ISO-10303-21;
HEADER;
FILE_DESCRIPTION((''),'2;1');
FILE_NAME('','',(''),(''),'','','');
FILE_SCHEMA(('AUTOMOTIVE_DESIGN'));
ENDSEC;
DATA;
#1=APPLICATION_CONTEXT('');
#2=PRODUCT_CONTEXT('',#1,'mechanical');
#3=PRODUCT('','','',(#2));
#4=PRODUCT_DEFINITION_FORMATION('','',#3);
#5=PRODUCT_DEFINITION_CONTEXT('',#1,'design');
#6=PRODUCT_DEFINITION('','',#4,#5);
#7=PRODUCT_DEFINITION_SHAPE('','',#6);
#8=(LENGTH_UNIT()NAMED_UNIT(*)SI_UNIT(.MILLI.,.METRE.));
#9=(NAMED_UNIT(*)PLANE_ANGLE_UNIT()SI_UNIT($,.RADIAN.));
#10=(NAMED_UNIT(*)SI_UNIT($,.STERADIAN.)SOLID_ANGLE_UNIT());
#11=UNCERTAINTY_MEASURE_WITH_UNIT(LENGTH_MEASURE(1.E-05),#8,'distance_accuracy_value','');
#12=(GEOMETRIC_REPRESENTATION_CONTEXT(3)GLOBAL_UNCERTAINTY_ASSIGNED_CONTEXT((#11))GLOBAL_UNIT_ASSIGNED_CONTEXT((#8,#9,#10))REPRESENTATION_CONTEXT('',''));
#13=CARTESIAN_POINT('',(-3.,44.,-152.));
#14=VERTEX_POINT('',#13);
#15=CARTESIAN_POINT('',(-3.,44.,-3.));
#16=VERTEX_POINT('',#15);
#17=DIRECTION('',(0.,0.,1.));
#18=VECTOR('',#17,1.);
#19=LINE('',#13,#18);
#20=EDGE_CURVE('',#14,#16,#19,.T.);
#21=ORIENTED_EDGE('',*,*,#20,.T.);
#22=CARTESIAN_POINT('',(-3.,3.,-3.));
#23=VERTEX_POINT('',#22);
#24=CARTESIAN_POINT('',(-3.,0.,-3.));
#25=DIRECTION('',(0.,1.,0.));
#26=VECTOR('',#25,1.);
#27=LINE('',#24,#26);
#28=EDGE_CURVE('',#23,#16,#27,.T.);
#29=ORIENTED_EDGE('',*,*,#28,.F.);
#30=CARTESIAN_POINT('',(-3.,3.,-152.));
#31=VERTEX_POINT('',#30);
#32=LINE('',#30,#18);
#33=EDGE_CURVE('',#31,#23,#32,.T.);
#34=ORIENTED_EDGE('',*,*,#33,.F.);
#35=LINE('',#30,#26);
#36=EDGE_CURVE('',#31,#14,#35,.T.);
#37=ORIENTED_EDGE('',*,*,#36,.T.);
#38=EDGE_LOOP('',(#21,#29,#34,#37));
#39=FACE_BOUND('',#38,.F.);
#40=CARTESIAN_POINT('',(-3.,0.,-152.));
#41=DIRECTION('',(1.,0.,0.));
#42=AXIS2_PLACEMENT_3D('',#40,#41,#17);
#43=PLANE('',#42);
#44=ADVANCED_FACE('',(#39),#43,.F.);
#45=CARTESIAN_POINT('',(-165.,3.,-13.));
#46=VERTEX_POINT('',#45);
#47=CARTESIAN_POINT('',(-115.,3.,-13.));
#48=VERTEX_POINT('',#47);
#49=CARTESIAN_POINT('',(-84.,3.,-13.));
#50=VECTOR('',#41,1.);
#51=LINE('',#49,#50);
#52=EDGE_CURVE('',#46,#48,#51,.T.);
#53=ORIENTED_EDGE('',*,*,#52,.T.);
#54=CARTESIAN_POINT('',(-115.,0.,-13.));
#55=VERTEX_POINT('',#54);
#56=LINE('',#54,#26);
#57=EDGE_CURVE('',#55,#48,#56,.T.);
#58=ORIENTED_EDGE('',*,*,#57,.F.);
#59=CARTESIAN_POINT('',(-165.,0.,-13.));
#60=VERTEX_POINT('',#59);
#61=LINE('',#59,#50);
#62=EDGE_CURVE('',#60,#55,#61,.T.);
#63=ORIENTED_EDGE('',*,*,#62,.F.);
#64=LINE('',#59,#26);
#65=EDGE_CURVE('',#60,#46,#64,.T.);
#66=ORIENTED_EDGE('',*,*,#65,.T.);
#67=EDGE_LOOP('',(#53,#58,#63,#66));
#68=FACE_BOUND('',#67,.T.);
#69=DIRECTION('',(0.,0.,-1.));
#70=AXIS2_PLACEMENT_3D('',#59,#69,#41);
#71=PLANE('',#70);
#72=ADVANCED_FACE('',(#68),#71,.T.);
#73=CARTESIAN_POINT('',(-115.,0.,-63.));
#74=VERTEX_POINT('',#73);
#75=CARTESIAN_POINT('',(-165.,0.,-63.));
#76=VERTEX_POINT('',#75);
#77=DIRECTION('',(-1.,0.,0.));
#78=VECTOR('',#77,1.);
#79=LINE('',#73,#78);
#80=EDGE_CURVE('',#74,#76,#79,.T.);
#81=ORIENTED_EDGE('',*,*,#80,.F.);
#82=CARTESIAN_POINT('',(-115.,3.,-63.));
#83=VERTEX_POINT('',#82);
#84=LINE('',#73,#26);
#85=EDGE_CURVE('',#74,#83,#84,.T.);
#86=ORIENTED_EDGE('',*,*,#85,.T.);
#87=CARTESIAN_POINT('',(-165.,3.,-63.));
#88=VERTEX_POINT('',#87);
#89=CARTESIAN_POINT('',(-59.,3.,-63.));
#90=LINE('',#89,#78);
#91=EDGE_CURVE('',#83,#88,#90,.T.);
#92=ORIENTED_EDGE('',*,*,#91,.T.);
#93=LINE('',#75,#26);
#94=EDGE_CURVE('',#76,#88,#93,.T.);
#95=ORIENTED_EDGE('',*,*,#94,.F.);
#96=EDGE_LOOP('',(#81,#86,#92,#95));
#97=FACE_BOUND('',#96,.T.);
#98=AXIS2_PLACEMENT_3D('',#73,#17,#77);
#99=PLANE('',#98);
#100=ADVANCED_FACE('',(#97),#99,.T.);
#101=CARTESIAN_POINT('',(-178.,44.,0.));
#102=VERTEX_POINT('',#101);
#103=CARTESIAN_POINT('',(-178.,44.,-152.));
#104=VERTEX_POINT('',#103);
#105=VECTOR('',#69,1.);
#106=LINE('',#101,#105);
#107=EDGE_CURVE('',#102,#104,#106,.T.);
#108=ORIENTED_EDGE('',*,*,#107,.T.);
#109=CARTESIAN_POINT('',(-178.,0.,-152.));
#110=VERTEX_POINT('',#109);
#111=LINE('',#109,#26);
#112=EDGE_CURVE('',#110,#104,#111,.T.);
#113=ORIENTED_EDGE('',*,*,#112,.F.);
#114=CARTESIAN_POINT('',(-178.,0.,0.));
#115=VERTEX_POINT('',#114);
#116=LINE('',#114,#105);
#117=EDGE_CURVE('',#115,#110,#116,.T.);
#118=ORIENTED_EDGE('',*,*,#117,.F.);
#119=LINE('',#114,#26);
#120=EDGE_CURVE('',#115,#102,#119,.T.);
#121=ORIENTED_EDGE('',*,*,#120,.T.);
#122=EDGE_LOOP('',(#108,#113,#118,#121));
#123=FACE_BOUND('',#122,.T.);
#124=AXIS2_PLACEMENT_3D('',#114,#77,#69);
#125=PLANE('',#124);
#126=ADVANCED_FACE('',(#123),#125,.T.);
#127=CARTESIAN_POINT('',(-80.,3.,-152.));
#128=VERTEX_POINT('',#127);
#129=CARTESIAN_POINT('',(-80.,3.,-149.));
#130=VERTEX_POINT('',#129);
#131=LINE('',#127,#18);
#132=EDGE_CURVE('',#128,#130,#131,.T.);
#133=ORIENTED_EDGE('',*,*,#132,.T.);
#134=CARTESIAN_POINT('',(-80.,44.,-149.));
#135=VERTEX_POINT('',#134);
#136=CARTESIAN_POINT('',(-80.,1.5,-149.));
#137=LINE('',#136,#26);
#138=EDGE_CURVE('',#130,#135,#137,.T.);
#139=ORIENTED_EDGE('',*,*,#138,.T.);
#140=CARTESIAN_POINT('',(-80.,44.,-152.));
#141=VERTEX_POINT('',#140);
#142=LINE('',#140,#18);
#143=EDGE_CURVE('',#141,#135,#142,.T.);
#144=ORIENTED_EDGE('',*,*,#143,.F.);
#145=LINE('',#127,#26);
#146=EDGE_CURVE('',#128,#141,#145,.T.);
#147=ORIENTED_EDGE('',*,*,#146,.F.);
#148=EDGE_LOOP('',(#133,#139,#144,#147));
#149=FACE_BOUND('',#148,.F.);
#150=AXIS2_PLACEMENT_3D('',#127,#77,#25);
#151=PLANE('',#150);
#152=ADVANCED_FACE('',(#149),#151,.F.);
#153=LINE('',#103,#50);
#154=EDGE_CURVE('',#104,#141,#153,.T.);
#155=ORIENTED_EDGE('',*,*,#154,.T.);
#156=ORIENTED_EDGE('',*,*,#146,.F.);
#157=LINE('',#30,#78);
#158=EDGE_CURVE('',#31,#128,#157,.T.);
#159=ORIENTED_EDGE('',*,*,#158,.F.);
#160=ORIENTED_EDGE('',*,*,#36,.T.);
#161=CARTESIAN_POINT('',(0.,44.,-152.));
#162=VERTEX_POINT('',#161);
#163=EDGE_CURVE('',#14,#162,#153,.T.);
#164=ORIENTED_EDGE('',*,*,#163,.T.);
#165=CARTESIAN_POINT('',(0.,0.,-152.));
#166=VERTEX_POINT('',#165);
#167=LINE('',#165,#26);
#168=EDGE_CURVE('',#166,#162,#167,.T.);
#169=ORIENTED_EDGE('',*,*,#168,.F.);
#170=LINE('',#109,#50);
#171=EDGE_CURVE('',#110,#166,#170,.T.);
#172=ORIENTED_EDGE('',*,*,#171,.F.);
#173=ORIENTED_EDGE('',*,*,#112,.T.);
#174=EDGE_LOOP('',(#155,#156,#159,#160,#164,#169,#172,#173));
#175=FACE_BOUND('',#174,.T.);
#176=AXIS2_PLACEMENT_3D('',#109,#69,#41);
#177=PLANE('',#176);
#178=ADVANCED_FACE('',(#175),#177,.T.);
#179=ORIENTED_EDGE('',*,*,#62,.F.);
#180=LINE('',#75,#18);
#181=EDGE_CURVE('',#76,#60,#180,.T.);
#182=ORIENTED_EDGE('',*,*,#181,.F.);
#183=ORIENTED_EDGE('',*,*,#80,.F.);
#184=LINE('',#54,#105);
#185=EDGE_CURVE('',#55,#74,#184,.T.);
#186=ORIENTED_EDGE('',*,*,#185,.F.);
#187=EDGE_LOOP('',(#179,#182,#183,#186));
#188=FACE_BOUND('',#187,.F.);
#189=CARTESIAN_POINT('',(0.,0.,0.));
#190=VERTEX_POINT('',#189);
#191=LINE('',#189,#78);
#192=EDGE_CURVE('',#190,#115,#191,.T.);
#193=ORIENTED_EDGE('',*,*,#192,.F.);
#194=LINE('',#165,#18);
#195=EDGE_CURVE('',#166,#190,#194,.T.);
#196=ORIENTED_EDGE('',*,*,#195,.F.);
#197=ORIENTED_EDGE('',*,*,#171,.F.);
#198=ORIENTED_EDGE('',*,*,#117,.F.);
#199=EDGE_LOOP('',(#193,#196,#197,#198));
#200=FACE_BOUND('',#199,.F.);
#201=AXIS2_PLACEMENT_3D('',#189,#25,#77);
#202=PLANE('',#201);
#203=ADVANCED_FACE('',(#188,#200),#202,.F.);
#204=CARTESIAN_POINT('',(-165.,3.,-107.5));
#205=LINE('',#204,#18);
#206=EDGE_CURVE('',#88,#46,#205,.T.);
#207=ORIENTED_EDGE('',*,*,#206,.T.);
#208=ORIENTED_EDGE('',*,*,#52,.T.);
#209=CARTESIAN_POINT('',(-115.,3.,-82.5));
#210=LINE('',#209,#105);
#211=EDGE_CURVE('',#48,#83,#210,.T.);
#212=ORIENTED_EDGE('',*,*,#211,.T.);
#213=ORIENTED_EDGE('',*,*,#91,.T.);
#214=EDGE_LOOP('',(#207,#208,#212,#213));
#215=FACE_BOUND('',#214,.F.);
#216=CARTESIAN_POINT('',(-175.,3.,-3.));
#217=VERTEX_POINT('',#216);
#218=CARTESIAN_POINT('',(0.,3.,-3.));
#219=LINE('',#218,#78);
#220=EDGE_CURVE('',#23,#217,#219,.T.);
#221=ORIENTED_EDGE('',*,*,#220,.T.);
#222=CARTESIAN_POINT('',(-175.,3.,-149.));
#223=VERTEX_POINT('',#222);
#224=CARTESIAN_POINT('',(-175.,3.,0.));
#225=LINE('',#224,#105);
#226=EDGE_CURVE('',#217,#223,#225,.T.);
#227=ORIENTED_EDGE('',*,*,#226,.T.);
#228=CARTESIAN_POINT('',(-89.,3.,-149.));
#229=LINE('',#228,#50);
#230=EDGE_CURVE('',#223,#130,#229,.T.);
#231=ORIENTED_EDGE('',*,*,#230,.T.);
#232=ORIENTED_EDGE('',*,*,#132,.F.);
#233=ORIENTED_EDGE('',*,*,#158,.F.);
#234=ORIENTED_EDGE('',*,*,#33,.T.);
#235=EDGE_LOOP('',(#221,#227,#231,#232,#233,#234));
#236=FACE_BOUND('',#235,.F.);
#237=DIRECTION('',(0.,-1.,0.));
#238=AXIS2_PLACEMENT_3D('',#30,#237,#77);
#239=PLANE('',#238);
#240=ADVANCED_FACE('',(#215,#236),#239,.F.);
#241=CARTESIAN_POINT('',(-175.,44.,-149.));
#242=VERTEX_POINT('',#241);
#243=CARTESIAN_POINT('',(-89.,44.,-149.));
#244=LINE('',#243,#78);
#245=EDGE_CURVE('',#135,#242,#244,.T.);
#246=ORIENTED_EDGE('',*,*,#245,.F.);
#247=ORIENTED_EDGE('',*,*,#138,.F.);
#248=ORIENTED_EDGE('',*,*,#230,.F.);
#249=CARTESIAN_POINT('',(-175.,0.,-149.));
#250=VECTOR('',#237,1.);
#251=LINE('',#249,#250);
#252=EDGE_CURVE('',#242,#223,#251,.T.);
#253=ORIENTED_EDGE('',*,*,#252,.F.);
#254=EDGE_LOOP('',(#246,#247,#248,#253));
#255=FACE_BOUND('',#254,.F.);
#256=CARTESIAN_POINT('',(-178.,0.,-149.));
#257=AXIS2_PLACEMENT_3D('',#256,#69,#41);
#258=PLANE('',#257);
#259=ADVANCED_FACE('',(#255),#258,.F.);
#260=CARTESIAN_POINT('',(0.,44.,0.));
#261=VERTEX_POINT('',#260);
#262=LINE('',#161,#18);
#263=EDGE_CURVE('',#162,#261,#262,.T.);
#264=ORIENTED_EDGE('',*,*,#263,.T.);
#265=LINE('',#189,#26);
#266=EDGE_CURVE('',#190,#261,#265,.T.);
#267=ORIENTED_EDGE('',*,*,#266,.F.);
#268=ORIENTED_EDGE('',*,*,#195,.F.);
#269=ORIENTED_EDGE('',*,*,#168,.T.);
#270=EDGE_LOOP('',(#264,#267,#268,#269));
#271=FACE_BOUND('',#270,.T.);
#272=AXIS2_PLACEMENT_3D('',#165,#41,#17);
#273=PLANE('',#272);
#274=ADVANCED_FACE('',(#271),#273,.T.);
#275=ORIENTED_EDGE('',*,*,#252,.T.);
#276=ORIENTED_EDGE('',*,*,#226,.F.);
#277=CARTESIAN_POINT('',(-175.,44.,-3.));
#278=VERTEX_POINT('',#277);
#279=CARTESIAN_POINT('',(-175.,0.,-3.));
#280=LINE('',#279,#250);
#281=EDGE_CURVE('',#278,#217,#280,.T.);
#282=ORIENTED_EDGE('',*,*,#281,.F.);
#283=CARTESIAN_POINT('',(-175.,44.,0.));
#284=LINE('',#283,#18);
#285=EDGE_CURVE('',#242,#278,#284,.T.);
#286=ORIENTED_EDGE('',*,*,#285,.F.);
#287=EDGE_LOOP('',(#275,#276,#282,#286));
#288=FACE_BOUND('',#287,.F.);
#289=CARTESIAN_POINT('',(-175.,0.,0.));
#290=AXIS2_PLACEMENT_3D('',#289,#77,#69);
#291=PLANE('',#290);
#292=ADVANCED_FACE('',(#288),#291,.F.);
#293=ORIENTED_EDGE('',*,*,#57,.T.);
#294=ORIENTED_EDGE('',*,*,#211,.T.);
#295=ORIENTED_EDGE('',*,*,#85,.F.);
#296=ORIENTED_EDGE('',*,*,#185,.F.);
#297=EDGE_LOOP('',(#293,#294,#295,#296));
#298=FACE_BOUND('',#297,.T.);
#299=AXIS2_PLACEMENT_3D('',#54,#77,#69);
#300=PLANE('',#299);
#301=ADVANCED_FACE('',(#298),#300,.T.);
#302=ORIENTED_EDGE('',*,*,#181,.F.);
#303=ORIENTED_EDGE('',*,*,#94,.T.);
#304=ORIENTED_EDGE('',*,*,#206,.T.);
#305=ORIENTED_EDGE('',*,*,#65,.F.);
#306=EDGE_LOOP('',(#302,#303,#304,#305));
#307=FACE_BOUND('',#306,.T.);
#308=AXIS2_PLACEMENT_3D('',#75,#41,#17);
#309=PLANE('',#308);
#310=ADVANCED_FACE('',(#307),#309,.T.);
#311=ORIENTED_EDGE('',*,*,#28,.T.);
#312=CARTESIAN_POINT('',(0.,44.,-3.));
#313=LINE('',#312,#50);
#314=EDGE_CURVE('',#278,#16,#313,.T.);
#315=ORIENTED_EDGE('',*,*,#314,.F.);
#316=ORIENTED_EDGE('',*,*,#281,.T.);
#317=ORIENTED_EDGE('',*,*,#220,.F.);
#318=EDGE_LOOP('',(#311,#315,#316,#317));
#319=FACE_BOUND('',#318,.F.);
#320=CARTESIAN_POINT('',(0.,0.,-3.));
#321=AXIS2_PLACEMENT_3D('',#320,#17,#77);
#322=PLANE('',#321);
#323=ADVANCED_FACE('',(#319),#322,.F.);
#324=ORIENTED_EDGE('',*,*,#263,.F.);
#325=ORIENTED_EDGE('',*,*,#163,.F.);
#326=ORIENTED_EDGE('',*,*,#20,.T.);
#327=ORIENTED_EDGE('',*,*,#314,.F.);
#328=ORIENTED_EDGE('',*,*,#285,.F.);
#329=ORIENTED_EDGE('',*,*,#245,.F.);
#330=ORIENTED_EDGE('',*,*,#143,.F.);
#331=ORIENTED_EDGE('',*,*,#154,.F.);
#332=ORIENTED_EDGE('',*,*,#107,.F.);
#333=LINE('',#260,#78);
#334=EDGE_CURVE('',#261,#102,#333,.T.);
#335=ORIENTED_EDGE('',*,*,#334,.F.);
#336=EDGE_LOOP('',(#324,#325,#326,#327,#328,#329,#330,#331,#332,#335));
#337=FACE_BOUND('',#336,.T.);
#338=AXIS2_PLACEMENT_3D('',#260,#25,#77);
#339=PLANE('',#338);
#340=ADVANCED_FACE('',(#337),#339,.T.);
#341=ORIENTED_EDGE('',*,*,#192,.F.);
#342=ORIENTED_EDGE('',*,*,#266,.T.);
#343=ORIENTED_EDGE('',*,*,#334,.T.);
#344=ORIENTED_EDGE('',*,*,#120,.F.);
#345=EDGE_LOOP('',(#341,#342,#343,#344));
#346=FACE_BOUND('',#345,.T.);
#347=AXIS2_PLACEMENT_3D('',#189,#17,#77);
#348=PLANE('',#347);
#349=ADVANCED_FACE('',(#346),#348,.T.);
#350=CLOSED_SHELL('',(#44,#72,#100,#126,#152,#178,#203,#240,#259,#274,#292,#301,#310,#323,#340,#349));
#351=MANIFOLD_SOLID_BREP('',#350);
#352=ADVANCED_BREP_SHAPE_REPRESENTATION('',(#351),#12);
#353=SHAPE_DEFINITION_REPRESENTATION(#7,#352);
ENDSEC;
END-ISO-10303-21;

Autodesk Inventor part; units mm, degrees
ref_plane "YZ Plane" through (0, 0, 0) normal (1, 0, 0) x (0, 1, 0)
ref_plane "XZ Plane" through (0, 0, 0) normal (0, 1, 0) x (-1, 0, 0)
ref_plane "XY Plane" through (0, 0, 0) normal (0, 0, 1) x (1, 0, 0)
sketch "Sketch1" plane through (0, 0, 0) normal (0, 1, 0) x (-1, 0, 0)
  line L0 (0, 0) -> (178, 0)
  line L1 (178, 0) -> (178, -152)
  line L2 (178, -152) -> (0, -152)
  line L3 (0, -152) -> (0, 0)
  dimension "d1" = 152
  dimension "d2" = 178
extrude "Extrusion1" add sketch "Sketch1" along normal blind 44
shell "Shell1" thickness 3 removed faces 1 at (-118.6667, 44, -101.3333)
sketch "Sketch3" plane through (0, 0, -152) normal (0, 0, -1) x (-1, 0, 0)
  line L0 (3, 3) -> (3, 44) projected
  line L1 (0, 44) -> (178, 44) projected
  line L2 (3, 3) -> (80, 3)
  line L3 (80, 3) -> (80, 44)
  line L4 (80, 44) -> (3, 44)
  line L5 (3, 44) -> (3, 3)
  point P0 (0, 0)
  dimension "d9" = 77
extrude "Extrusion3" cut sketch "Sketch3" against normal blind 4
sketch "Sketch4" plane through (0, 0, 0) normal (0, -1, 0) x (1, 0, 0)
  line L0 (-175, -3) -> (-175, -149) projected
  line L1 (-175, -3) -> (-165, -3)
  line L2 (-165, -3) -> (-165, -13)
  line L3 (-165, -13) -> (-175, -13)
  line L4 (-175, -13) -> (-175, -3)
  line L5 (-165, -13) -> (-115, -13)
  line L6 (-115, -13) -> (-115, -63)
  line L7 (-115, -63) -> (-165, -63)
  line L8 (-165, -63) -> (-165, -13)
  point P0 (0, 0)
  dimension "d12" = 10
  dimension "d13" = 10
  dimension "d14" = 50
  dimension "d15" = 50
extrude "Extrusion4" cut sketch "Sketch4" against normal blind 4 contours L5 L6 L7 L8
properties part number "back side"
